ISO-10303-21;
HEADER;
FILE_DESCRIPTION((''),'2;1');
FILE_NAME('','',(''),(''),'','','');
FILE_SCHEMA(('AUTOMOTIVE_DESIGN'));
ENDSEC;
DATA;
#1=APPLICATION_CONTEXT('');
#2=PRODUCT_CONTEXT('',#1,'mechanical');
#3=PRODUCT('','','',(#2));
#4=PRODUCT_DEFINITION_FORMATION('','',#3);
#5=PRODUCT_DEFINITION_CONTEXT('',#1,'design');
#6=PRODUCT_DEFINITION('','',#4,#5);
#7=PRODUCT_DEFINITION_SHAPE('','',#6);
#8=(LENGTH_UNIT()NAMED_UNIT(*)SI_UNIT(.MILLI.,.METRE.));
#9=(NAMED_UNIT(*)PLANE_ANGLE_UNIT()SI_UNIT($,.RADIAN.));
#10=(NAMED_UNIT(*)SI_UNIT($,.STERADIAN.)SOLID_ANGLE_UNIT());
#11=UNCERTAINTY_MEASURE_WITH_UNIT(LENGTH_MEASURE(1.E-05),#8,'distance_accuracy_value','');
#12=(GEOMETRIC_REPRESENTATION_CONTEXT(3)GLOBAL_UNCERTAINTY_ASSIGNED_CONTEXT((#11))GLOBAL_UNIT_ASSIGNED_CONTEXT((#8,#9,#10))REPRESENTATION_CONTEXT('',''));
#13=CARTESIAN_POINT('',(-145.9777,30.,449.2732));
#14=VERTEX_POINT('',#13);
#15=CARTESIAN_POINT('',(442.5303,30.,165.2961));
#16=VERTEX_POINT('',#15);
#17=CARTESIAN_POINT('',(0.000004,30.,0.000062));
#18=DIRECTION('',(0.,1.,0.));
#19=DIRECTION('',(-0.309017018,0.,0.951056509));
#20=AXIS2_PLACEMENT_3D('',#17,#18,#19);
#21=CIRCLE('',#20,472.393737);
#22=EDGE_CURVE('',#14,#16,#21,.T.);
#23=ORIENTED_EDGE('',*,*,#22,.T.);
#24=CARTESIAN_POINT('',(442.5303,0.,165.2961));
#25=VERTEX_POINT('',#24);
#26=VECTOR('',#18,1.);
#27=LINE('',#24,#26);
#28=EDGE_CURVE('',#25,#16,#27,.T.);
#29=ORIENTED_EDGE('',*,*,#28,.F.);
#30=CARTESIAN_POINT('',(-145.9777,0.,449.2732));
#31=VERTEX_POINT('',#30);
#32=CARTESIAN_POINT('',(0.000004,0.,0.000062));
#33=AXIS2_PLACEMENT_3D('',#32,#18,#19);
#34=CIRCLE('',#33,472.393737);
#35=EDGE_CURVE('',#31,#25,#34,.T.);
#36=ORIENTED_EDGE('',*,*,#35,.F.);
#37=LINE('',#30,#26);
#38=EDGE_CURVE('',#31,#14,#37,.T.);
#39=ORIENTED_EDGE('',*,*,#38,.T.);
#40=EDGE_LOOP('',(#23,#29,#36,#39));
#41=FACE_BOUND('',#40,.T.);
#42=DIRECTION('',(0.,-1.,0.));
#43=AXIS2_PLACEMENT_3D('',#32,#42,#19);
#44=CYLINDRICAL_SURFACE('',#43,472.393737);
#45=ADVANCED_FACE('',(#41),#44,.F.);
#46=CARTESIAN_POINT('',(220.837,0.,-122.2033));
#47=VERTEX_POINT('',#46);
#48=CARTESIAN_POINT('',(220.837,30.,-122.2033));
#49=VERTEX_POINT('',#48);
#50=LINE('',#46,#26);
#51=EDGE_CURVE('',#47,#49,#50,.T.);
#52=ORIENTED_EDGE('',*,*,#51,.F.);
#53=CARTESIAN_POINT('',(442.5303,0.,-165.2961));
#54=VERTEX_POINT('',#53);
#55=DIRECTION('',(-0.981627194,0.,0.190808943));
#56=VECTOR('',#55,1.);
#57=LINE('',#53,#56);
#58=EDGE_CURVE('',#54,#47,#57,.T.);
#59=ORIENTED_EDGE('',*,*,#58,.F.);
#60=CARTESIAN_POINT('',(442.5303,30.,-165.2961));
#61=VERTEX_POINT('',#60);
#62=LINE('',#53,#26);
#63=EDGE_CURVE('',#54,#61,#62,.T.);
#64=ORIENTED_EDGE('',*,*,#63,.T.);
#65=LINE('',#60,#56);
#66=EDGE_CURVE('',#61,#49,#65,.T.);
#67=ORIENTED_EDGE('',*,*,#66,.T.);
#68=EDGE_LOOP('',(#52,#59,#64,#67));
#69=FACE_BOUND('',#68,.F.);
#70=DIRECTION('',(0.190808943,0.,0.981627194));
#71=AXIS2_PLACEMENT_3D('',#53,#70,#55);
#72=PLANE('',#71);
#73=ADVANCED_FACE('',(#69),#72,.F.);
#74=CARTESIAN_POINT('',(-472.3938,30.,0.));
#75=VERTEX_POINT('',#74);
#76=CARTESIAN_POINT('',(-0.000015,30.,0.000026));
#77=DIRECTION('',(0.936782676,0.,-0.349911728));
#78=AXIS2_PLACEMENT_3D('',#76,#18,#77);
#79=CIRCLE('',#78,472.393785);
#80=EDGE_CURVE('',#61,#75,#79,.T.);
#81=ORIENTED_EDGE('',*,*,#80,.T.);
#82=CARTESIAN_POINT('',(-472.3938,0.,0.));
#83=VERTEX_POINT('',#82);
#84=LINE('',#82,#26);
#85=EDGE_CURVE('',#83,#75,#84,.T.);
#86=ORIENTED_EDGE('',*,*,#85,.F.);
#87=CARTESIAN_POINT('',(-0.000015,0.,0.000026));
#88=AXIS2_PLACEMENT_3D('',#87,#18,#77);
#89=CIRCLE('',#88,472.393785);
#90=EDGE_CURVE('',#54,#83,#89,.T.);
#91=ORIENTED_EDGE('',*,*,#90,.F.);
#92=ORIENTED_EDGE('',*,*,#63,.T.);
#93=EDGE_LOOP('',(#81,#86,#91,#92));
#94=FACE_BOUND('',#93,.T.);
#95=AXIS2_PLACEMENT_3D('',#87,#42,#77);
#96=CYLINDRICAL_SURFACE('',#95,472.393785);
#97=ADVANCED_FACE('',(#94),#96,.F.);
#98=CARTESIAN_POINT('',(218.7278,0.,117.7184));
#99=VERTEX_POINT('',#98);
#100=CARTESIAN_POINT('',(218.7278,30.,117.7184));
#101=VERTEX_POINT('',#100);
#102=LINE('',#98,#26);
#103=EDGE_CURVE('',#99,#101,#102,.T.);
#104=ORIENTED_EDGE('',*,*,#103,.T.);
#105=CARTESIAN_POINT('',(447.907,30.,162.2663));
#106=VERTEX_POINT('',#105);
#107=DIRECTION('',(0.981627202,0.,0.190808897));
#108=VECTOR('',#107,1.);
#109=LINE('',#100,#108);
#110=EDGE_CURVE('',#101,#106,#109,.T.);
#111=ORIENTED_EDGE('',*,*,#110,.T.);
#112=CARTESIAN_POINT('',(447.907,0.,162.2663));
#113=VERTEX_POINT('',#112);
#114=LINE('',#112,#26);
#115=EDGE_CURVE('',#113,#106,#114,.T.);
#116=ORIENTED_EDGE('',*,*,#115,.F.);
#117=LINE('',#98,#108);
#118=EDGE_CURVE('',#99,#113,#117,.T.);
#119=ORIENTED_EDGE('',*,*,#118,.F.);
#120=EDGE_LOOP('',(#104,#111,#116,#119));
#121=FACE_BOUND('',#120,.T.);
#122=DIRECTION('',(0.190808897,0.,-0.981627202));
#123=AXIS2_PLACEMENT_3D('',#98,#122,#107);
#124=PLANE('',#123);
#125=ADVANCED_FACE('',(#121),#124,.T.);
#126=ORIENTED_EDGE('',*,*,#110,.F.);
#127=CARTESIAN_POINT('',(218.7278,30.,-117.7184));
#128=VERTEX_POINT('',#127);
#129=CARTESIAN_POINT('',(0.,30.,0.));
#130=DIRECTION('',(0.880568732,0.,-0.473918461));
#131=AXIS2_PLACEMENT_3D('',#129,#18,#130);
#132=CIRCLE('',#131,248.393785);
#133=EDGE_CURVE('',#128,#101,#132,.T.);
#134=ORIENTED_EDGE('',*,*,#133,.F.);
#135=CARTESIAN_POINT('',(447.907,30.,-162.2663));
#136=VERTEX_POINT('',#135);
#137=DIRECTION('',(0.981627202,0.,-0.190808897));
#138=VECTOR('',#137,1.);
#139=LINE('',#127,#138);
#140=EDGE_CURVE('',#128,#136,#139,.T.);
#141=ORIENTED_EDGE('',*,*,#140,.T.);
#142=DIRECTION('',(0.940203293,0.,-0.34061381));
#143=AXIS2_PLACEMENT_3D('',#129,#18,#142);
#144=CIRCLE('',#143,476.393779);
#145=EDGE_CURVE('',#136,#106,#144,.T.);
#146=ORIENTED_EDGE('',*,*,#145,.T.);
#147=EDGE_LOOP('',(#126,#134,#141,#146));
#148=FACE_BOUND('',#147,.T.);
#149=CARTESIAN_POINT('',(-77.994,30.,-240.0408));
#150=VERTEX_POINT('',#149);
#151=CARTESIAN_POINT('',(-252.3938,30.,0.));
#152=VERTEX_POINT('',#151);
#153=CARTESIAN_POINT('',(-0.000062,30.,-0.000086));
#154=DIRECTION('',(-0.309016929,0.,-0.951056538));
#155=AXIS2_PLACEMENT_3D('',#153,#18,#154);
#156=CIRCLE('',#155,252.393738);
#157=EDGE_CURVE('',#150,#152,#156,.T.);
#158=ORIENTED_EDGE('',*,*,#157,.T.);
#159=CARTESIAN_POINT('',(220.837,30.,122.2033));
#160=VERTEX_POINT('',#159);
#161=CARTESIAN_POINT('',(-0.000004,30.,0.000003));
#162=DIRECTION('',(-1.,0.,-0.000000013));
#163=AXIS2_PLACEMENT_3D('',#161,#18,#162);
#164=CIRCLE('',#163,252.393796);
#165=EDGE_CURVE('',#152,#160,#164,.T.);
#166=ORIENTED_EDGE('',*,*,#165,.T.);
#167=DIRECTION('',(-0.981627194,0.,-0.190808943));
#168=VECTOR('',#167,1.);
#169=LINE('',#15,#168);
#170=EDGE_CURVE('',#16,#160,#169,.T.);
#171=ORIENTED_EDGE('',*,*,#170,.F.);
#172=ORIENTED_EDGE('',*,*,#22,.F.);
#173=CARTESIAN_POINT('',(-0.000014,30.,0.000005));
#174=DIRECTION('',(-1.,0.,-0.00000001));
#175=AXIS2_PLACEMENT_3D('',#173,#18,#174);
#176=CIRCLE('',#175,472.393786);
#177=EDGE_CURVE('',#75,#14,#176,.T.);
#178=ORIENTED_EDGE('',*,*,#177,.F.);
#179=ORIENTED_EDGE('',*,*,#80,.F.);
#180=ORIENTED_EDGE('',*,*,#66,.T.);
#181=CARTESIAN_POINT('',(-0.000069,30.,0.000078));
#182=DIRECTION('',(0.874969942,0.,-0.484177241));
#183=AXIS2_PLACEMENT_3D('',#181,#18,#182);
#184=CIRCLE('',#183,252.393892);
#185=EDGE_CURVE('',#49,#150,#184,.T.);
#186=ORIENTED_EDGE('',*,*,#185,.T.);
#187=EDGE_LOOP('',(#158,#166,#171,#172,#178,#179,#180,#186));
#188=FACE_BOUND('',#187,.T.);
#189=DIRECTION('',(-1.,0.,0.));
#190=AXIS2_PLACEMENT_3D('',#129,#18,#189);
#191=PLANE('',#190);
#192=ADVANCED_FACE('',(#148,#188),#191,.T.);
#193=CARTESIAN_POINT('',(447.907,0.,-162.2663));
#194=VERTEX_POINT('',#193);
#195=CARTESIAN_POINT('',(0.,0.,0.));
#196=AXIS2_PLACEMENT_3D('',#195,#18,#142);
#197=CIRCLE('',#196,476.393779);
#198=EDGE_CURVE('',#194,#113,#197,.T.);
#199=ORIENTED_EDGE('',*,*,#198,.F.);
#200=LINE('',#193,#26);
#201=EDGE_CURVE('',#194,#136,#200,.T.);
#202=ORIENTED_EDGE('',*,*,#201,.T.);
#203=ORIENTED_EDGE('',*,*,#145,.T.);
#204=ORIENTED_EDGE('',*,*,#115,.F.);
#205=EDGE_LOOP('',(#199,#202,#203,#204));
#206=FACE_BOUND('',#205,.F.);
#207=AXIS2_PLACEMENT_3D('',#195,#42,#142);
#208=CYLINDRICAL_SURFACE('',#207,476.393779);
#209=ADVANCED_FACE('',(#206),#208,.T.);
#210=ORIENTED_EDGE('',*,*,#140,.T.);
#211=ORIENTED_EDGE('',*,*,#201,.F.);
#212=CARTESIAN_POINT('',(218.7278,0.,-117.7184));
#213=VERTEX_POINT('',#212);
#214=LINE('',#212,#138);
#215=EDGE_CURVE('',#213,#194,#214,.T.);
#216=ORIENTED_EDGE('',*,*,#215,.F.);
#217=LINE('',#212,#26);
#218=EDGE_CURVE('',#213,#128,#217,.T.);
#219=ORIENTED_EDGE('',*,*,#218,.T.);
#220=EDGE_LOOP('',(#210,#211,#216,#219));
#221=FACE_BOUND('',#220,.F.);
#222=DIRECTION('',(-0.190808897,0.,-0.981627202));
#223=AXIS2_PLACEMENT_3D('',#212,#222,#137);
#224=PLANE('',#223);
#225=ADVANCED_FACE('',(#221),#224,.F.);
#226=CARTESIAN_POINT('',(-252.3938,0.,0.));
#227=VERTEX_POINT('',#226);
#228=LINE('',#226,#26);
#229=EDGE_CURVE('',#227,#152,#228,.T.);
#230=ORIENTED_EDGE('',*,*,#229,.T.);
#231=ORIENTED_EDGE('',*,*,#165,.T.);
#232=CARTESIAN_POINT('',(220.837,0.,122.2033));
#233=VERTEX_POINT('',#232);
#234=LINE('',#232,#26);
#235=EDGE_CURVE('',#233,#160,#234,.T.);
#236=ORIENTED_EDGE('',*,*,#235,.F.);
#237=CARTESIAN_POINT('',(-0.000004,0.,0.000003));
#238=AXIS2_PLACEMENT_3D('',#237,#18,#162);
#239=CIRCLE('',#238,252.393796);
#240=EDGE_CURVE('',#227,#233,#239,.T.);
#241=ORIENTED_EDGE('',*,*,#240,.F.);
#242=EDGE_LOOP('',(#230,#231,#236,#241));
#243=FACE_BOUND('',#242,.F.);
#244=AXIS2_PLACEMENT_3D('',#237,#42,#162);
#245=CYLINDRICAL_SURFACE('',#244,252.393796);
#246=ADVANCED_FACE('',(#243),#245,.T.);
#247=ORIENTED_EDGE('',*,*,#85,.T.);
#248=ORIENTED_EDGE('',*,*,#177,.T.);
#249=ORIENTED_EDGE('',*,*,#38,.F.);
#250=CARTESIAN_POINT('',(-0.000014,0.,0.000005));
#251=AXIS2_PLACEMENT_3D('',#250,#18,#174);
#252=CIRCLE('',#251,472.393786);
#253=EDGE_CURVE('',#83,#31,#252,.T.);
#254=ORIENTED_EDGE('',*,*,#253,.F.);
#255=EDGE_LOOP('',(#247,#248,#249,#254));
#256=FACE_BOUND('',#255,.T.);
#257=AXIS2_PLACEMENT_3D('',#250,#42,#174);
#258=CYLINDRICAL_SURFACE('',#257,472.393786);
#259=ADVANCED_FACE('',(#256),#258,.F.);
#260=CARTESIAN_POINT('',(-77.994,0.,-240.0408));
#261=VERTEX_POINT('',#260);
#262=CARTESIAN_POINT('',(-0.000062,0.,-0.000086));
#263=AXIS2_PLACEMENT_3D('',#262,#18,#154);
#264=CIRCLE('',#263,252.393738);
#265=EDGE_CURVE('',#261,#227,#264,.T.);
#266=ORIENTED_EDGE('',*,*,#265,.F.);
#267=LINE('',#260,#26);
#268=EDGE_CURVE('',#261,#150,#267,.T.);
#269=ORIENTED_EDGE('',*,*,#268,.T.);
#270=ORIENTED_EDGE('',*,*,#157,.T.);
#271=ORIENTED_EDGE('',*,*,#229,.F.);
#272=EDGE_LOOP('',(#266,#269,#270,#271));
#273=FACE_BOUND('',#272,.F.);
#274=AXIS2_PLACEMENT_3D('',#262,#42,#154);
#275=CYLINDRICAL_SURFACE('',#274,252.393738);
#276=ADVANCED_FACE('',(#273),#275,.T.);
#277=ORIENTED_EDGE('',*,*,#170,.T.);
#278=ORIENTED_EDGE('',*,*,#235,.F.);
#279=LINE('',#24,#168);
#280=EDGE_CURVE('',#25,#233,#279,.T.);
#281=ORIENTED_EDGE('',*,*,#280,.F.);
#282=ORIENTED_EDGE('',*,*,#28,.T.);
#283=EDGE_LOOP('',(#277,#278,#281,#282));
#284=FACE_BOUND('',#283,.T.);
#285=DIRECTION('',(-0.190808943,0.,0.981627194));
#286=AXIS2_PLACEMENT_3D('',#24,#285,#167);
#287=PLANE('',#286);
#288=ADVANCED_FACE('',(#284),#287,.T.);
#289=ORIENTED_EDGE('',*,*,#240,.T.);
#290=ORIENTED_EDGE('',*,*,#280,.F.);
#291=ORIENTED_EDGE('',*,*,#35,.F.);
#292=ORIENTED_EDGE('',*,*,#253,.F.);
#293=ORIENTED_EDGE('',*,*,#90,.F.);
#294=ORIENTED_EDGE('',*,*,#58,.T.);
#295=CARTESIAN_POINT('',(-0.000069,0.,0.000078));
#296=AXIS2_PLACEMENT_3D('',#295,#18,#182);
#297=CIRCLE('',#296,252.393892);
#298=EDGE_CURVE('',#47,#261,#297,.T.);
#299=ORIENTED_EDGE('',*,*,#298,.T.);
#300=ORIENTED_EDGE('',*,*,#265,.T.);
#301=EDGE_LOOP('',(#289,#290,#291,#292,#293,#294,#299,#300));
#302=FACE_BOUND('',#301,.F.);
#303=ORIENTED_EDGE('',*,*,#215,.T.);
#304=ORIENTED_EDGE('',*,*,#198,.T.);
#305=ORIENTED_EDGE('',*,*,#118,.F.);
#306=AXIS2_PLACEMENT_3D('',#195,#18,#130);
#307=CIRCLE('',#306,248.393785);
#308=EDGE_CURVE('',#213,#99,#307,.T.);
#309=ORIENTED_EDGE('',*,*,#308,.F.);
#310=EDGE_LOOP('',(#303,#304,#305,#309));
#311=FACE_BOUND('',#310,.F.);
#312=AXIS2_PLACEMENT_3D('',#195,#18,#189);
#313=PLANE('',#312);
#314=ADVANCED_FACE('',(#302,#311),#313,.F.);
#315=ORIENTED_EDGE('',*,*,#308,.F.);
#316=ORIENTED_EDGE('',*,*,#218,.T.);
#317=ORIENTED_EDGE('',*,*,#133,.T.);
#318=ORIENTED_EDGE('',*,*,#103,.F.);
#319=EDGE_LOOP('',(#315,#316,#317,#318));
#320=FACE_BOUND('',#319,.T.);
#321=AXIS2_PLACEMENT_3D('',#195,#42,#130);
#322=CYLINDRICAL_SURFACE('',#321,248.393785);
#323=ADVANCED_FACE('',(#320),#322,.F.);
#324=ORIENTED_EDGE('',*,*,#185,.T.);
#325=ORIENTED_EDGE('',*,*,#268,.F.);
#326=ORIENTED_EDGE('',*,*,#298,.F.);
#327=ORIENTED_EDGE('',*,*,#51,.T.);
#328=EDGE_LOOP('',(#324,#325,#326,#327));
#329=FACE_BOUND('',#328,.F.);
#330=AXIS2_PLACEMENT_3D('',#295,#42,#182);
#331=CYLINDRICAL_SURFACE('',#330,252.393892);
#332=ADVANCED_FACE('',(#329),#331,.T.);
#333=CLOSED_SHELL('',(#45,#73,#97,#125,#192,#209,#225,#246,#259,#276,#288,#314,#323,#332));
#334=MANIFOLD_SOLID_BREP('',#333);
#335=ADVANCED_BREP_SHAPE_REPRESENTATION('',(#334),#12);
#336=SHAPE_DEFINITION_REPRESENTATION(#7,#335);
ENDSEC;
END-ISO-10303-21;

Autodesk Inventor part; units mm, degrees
ref_plane "YZ Plane" through (0, 0, 0) normal (1, 0, 0) x (0, 1, 0)
ref_plane "XZ Plane" through (0, 0, 0) normal (0, 1, 0) x (-1, 0, 0)
ref_plane "XY Plane" through (0, 0, 0) normal (0, 0, 1) x (1, 0, 0)
sketch "Sketch1" plane through (0, 0, 0) normal (0, 1, 0) x (-1, 0, 0)
  arc A0 (472.3938, 0) -> (145.9777, 449.2732) centre (0, 0) ccw
  arc A1 (77.994, -240.0408) -> (252.3938, 0) centre (0, 0) ccw
  line L0 (-442.5303, 165.2961) -> (-220.837, 122.2033)
  line L1 (-442.5303, -165.2961) -> (-220.837, -122.2033)
  arc A2 (252.3938, 0) -> (-220.837, 122.2033) centre (0, 0) ccw
  arc A3 (-220.837, -122.2033) -> (77.994, -240.0408) centre (0, 0) ccw
  arc A4 (145.9777, 449.2732) -> (-442.5303, 165.2961) centre (0, 0) ccw
  arc A5 (-442.5303, -165.2961) -> (472.3938, 0) centre (0, 0) ccw
  arc A6 (-218.7278, -117.7184) -> (-218.7278, 117.7184) centre (0, 0) ccw
  arc A7 (-447.907, -162.2663) -> (-447.907, 162.2663) centre (0, 0) ccw
  line L2 (-218.7278, 117.7184) -> (-447.907, 162.2663)
  line L3 (-218.7278, -117.7184) -> (-447.907, -162.2663)
  dimension "d41" = 4
  dimension "d42" = 4
  dimension "d43" = 4
  dimension "d44" = 4
extrude "Extrusion1" add sketch "Sketch1" along normal blind 30
properties part number "Level 1 Edge Banding"
